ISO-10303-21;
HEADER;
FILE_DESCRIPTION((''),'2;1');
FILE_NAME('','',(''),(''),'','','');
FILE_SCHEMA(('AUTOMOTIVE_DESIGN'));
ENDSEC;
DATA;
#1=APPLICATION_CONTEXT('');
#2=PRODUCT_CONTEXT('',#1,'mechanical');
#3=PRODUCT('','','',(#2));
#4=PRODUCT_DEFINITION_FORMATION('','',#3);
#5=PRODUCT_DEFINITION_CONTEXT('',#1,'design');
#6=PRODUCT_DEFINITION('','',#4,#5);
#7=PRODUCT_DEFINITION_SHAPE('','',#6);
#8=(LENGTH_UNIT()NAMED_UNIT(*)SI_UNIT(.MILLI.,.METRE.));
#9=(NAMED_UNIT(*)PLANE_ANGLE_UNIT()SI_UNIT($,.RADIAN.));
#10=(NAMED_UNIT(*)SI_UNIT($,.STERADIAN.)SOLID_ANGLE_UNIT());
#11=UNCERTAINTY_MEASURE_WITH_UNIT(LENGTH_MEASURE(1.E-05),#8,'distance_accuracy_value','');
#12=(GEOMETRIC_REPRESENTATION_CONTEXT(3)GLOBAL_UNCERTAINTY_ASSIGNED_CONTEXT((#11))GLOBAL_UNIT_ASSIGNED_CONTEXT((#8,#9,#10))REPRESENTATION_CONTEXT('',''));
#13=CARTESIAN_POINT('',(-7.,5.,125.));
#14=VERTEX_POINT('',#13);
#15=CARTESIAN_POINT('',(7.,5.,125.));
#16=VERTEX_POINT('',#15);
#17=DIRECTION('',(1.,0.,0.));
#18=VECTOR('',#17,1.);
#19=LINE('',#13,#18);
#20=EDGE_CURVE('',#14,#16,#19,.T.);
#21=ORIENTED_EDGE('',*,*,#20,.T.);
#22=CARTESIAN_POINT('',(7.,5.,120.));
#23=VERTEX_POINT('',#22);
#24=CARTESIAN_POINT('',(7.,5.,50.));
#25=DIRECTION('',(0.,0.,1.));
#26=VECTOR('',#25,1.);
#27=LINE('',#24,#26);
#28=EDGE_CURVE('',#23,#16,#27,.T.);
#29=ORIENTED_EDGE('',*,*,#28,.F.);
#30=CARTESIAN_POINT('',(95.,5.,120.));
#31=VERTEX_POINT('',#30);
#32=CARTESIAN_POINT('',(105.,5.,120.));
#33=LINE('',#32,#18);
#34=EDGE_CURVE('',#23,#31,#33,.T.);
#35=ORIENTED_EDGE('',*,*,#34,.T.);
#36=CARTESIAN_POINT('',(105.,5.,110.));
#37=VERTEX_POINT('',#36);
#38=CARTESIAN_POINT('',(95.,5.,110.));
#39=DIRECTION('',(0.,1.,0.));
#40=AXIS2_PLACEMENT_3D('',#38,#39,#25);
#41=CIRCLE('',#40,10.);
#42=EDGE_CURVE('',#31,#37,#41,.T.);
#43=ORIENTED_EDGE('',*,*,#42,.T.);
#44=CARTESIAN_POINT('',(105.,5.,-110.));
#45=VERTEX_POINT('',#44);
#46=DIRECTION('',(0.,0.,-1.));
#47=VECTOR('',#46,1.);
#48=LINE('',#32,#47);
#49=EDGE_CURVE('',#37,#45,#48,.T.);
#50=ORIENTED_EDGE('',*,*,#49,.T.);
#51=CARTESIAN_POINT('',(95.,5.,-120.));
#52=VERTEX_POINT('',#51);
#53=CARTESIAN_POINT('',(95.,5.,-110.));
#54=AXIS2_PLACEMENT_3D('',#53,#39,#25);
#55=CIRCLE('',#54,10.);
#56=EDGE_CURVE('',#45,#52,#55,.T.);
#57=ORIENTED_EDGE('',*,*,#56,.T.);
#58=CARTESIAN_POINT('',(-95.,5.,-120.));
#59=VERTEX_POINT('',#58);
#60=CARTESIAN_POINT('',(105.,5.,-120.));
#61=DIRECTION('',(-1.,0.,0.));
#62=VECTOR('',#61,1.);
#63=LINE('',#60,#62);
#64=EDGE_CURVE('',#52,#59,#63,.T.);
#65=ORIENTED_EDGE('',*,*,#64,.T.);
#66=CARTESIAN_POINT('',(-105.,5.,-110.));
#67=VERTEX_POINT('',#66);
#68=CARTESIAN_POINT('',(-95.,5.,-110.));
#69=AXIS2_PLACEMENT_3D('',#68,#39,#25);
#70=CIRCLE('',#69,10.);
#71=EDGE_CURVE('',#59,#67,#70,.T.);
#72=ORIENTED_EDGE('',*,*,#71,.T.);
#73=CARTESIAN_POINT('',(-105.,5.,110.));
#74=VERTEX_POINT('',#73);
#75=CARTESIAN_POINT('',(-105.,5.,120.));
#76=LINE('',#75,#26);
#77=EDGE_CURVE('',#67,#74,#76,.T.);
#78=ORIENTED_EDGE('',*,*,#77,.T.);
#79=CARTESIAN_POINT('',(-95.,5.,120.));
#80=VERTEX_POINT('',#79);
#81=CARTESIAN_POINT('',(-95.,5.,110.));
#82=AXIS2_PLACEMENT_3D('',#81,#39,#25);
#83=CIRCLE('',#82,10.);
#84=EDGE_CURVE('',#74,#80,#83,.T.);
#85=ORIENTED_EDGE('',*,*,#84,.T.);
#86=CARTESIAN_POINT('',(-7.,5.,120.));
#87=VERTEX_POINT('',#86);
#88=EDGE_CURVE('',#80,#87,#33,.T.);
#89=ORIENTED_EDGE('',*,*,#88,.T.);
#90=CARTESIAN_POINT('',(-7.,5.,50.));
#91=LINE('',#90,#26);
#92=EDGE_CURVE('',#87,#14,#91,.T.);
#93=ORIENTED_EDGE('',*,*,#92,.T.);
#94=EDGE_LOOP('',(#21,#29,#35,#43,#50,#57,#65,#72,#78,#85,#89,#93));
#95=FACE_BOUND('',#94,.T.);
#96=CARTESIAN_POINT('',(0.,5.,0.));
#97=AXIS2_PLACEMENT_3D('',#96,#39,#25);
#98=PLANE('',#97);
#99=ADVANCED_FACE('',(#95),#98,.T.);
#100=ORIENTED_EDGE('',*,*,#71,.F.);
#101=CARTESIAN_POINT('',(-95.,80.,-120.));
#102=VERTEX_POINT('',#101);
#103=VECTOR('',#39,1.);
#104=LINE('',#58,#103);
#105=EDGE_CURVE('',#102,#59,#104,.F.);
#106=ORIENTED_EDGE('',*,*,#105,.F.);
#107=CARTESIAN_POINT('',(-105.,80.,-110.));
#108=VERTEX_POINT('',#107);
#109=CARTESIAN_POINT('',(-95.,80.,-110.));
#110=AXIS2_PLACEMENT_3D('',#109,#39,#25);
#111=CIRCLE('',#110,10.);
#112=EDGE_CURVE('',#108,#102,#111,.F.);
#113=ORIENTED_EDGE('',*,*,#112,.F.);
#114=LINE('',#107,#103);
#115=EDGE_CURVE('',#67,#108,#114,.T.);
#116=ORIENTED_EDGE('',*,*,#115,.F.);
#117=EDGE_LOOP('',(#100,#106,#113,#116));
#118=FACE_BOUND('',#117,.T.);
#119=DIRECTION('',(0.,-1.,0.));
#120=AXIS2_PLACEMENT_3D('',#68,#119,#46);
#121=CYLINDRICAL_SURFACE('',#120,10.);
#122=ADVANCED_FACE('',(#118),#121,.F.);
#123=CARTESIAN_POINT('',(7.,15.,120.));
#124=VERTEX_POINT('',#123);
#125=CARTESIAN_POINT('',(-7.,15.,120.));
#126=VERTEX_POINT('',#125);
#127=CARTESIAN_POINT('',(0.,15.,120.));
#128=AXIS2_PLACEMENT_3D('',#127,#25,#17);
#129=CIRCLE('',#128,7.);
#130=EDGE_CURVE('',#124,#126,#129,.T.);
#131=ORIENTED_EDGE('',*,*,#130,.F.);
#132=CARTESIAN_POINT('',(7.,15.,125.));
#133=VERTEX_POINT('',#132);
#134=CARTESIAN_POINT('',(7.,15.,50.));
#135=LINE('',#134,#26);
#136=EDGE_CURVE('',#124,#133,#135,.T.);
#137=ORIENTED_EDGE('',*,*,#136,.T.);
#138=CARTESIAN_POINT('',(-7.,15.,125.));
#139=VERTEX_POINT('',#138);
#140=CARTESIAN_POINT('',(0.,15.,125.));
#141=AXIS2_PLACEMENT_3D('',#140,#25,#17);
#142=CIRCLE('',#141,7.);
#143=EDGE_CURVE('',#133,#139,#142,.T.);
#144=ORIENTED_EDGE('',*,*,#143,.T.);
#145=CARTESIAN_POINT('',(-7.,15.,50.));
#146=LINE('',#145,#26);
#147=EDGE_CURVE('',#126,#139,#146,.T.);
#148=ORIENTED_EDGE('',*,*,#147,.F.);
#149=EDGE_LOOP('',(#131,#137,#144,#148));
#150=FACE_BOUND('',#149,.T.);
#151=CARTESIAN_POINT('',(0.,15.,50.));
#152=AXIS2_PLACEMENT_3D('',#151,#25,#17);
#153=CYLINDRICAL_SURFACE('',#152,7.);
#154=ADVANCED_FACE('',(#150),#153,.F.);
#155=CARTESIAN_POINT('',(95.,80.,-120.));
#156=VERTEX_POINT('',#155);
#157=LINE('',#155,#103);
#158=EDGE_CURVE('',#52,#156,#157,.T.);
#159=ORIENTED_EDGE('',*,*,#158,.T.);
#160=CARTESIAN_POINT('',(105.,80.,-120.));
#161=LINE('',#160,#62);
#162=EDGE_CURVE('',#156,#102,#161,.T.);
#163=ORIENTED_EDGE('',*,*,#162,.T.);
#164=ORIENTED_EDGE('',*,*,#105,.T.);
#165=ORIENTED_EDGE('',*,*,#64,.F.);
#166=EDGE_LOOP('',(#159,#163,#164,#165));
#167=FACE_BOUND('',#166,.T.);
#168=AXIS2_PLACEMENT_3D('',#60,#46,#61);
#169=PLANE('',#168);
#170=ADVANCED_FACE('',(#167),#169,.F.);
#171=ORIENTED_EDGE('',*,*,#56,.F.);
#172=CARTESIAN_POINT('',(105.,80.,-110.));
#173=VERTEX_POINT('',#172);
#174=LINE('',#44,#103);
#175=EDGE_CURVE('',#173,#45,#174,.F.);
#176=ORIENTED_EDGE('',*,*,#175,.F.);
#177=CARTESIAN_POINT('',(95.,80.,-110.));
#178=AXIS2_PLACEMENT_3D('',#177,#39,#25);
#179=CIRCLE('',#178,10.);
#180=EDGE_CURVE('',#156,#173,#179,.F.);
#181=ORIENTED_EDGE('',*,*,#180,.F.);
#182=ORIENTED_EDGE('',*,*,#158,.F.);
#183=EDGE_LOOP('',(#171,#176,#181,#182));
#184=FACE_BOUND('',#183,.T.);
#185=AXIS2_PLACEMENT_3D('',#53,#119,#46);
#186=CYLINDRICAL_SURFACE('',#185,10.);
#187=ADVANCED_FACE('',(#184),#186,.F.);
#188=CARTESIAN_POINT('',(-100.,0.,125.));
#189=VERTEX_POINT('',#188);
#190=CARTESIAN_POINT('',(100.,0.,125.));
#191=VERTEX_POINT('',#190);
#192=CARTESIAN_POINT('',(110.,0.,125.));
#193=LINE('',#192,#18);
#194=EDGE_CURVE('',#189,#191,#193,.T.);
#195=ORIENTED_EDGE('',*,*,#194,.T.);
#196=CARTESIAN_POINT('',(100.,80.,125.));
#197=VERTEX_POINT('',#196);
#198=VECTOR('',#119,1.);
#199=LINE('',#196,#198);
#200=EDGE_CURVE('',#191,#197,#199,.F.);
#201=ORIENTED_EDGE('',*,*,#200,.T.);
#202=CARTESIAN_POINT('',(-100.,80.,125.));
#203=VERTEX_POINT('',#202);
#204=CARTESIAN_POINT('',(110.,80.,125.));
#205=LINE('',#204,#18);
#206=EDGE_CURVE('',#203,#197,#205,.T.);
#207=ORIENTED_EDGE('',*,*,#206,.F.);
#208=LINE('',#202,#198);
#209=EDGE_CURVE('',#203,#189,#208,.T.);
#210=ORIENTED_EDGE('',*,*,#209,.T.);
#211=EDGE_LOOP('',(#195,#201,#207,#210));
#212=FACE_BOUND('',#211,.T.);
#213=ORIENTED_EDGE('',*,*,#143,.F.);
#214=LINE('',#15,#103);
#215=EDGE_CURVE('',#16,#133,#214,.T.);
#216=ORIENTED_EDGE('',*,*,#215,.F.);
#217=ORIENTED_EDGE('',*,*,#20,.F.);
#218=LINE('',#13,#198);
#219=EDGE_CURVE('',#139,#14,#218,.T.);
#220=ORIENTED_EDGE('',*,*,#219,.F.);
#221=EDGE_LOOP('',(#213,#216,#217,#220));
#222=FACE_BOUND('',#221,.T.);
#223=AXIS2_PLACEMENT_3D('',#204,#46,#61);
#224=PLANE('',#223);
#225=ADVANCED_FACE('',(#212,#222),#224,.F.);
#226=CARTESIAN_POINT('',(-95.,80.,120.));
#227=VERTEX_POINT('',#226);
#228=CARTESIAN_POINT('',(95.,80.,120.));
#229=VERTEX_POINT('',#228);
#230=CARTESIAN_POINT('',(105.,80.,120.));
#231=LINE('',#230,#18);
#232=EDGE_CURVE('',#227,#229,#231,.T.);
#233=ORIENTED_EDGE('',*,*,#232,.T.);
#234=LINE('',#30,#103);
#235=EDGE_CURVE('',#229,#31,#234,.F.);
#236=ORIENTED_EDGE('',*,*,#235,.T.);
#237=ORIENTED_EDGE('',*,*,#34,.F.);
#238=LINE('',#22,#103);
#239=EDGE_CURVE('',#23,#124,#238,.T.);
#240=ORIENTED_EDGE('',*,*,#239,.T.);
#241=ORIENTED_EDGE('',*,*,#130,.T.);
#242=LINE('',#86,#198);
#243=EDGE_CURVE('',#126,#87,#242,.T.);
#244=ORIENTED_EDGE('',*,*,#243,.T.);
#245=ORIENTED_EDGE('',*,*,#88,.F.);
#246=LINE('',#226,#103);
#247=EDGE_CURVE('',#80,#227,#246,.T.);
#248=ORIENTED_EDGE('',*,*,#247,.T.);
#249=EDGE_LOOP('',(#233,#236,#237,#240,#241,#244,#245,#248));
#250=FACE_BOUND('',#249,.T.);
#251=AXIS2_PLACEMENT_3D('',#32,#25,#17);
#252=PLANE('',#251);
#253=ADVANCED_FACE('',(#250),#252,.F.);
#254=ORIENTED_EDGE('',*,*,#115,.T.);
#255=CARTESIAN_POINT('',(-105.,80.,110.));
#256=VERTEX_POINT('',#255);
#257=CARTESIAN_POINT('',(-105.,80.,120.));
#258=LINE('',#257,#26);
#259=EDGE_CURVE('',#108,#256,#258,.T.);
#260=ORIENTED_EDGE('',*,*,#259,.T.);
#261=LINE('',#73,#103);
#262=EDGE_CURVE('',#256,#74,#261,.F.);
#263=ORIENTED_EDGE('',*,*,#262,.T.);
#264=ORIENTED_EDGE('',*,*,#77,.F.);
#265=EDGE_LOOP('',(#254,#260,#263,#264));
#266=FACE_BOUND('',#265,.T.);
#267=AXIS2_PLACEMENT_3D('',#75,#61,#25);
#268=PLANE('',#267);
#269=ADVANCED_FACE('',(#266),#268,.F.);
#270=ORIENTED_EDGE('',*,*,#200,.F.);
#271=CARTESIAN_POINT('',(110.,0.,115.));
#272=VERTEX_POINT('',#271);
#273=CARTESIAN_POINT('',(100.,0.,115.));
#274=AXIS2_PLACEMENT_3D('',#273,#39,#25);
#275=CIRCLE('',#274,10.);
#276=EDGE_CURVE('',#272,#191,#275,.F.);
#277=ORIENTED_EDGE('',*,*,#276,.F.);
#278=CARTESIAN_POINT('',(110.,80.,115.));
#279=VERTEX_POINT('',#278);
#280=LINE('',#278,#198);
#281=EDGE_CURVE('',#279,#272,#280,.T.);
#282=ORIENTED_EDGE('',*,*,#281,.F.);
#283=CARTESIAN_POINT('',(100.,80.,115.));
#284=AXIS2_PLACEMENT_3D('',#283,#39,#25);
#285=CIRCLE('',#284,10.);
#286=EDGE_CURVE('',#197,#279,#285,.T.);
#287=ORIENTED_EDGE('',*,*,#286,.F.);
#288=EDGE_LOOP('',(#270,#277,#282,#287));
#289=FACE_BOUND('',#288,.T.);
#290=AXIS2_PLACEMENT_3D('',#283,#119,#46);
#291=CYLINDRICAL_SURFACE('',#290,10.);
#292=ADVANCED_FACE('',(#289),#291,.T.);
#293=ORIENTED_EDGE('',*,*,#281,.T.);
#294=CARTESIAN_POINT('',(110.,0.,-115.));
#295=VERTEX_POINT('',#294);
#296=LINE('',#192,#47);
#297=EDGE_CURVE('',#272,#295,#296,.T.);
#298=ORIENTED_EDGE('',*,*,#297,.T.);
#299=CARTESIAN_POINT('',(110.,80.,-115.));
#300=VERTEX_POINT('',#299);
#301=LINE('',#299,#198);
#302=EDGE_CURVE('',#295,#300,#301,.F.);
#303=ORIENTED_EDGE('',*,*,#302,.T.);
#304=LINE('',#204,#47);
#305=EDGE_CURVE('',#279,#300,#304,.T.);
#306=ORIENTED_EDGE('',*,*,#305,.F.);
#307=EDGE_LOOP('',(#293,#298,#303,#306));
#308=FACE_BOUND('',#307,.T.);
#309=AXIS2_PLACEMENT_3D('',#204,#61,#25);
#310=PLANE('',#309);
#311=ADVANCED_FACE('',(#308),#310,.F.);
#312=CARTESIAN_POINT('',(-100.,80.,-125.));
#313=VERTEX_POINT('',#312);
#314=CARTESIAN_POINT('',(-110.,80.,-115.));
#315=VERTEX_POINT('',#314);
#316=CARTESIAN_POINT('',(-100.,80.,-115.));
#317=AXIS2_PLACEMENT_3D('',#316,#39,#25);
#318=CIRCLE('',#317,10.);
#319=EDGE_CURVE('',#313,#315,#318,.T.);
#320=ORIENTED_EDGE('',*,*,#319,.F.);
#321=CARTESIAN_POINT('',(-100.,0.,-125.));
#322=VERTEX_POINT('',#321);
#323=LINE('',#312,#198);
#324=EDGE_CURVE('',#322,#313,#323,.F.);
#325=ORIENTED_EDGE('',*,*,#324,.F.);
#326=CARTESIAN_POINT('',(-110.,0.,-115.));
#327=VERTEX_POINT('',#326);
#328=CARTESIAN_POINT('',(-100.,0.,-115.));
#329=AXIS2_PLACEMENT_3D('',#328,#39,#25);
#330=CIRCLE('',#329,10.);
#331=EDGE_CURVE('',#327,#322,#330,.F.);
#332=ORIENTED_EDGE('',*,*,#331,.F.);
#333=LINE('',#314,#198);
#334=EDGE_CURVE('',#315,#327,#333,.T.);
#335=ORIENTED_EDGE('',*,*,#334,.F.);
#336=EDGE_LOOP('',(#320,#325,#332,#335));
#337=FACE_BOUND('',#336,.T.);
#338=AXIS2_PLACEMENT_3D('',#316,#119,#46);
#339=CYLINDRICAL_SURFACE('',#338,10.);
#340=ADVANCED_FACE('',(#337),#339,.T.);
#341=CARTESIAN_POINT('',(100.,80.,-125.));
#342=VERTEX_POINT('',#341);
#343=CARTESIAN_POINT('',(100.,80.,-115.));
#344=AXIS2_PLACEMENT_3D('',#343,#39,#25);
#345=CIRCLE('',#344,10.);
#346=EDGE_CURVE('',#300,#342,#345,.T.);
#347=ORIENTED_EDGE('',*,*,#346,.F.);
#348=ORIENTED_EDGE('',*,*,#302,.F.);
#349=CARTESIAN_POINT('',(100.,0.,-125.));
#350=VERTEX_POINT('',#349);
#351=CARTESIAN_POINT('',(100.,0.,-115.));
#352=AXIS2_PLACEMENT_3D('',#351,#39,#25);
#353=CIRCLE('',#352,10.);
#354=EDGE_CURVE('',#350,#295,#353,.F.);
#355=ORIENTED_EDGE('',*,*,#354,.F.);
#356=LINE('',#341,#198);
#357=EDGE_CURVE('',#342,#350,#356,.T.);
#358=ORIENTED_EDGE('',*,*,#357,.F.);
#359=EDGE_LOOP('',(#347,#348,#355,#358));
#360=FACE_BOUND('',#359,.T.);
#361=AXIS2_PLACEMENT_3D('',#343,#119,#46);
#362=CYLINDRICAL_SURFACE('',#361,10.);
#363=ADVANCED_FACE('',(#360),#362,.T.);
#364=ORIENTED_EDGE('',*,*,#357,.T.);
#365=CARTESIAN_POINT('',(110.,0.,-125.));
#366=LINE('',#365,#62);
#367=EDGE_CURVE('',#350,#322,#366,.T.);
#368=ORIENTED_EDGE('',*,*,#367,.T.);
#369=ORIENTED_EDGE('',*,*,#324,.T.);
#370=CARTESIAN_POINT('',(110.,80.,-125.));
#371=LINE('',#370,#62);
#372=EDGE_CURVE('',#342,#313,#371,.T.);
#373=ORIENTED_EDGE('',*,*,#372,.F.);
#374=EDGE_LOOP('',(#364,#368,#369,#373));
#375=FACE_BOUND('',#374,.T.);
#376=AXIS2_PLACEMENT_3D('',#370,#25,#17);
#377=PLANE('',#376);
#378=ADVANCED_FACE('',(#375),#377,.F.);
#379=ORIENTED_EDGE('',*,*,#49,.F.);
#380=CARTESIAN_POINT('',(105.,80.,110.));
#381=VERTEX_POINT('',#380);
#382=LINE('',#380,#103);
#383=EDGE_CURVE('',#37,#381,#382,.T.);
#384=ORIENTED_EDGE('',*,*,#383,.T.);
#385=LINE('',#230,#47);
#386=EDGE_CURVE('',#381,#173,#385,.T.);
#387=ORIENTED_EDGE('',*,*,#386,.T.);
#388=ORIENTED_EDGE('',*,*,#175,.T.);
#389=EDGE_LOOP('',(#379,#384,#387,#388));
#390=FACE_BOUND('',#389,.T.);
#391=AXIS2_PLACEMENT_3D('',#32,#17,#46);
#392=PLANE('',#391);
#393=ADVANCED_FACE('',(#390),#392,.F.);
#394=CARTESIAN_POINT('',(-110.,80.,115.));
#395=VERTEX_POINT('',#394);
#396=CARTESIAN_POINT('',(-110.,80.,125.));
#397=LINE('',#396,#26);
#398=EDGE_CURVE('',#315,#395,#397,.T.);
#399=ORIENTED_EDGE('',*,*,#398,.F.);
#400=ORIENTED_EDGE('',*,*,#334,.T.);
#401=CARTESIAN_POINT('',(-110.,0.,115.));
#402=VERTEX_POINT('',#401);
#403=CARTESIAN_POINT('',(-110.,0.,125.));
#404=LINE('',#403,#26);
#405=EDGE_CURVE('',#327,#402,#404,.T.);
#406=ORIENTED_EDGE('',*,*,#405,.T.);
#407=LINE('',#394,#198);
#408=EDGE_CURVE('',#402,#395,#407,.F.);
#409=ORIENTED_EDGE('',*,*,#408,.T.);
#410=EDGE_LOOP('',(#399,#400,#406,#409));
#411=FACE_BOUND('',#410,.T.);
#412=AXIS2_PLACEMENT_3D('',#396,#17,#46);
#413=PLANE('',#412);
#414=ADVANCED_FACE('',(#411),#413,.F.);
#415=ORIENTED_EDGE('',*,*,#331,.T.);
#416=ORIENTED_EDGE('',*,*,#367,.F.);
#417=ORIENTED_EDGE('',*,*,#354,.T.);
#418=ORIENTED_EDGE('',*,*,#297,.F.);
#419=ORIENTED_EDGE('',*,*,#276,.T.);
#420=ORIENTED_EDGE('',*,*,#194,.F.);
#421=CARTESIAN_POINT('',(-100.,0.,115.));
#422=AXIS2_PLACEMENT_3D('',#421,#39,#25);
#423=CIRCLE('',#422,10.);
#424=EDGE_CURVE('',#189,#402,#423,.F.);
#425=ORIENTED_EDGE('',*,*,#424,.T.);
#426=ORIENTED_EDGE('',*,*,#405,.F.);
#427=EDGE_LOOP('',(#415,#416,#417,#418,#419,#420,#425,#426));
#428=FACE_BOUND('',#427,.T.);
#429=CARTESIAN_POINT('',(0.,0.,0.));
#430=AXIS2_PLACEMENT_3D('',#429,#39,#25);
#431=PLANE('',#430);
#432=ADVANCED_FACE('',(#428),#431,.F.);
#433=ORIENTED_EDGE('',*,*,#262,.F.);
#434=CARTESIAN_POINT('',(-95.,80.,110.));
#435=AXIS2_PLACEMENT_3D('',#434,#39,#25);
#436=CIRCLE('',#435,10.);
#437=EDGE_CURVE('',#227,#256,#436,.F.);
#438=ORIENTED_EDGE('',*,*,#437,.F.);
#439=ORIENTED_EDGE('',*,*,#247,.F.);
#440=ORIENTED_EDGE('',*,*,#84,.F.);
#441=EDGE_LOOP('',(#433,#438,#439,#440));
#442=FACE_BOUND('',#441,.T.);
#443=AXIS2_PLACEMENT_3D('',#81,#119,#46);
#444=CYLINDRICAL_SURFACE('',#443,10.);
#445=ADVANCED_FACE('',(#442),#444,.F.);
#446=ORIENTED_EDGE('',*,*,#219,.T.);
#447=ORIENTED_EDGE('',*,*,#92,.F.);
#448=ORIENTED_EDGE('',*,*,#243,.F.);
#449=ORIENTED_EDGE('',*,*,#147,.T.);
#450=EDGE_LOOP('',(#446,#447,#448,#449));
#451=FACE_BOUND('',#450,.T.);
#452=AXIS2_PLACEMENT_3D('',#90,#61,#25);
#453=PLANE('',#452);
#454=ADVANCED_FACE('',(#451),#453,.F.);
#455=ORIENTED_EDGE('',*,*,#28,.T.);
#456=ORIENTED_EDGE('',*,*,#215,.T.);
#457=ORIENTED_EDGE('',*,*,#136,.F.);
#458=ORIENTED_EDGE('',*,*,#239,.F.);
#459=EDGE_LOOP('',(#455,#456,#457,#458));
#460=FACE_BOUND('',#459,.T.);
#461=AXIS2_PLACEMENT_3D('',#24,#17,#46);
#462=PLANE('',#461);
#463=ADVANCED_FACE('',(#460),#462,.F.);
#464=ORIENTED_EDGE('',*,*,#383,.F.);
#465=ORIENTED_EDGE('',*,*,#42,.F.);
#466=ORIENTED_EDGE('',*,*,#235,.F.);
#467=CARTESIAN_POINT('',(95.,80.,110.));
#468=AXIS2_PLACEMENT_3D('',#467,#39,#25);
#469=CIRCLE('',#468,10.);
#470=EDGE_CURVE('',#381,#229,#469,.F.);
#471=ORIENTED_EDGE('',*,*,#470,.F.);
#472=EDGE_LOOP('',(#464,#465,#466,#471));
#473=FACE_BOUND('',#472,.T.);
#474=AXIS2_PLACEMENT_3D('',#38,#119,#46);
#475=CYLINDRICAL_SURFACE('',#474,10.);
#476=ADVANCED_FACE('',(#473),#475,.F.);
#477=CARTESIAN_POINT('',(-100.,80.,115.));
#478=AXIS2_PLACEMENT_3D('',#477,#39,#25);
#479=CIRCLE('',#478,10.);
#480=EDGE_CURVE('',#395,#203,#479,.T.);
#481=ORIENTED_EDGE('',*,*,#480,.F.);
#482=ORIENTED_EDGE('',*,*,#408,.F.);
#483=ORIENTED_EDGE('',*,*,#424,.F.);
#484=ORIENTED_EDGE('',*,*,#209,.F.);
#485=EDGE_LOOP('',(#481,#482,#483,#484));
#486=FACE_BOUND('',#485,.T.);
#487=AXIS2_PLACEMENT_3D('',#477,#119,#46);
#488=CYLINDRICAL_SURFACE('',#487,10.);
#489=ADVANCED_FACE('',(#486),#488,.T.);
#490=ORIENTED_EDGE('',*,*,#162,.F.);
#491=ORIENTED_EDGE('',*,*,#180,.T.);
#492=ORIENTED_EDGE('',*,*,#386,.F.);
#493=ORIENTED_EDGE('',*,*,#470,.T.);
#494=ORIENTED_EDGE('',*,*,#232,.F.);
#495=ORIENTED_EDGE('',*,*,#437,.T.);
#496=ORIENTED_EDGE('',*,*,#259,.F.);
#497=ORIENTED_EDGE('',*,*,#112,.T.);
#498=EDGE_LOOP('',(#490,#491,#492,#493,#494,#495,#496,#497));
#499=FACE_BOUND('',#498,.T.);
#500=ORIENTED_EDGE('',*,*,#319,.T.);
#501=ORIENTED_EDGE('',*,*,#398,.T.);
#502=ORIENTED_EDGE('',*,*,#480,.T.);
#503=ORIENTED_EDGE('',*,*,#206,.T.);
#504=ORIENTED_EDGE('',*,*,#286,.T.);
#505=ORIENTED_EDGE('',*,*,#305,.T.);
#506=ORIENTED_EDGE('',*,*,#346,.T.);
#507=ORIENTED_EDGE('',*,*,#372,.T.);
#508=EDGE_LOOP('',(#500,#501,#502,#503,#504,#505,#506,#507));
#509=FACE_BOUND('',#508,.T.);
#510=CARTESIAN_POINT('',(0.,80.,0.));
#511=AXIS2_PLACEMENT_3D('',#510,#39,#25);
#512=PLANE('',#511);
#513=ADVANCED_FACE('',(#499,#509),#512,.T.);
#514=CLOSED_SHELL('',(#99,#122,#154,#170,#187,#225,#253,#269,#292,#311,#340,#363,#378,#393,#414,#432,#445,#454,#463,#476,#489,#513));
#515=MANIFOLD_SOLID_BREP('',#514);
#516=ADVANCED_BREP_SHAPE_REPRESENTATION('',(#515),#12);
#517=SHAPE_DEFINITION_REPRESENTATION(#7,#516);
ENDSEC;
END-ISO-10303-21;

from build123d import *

# Parameters (mm, degrees)
SKETCH2_W           = 220
SKETCH2_H           = 250
BOSS_EXTRUDE2_DEPTH = 80
SKETCH3_W           = 210
SKETCH3_H           = 240
CUT_EXTRUDE1_DEPTH  = 75
FILLET1_R           = 10
CUT_EXTRUDE2_DEPTH  = 75


with BuildPart() as part:
    # Sketch2 → Boss-Extrude2 (new body)
    with BuildSketch(Plane(origin=(0, 0, 0), x_dir=(1, 0, 0), z_dir=(0, 1, 0))):
        Rectangle(SKETCH2_W, SKETCH2_H)
    extrude(amount=BOSS_EXTRUDE2_DEPTH)

    # Sketch3 → Cut-Extrude1 (cut)
    with BuildSketch(Plane(origin=(0, 80, 0), x_dir=(1, 0, 0), z_dir=(0, 1, 0))):
        Rectangle(SKETCH3_W, SKETCH3_H)
    extrude(amount=-CUT_EXTRUDE1_DEPTH, mode=Mode.SUBTRACT)

    # Fillet1
    fillet1_edges = [part.edges().sort_by_distance(p)[0] for p in [
        (-105, 42.5, 120),
        (-105, 42.5, -120),
        (105, 42.5, -120),
        (105, 42.5, 120),
        (-110, 40, -125),
        (110, 40, -125),
        (110, 40, 125),
        (-110, 40, 125),
    ]]
    fillet(fillet1_edges, radius=FILLET1_R)

    # Sketch4 → Cut-Extrude2 (cut)
    with BuildSketch(Plane.XY.offset(125)):
        with BuildLine():
            Line((-7, 5), (-7, 15))
            ThreePointArc((-7, 15), (0, 22), (7, 15))
            Line((7, 15), (7, 5))
            Line((7, 5), (-7, 5))
        make_face()
    extrude(amount=-CUT_EXTRUDE2_DEPTH, mode=Mode.SUBTRACT)


solid = part.part
